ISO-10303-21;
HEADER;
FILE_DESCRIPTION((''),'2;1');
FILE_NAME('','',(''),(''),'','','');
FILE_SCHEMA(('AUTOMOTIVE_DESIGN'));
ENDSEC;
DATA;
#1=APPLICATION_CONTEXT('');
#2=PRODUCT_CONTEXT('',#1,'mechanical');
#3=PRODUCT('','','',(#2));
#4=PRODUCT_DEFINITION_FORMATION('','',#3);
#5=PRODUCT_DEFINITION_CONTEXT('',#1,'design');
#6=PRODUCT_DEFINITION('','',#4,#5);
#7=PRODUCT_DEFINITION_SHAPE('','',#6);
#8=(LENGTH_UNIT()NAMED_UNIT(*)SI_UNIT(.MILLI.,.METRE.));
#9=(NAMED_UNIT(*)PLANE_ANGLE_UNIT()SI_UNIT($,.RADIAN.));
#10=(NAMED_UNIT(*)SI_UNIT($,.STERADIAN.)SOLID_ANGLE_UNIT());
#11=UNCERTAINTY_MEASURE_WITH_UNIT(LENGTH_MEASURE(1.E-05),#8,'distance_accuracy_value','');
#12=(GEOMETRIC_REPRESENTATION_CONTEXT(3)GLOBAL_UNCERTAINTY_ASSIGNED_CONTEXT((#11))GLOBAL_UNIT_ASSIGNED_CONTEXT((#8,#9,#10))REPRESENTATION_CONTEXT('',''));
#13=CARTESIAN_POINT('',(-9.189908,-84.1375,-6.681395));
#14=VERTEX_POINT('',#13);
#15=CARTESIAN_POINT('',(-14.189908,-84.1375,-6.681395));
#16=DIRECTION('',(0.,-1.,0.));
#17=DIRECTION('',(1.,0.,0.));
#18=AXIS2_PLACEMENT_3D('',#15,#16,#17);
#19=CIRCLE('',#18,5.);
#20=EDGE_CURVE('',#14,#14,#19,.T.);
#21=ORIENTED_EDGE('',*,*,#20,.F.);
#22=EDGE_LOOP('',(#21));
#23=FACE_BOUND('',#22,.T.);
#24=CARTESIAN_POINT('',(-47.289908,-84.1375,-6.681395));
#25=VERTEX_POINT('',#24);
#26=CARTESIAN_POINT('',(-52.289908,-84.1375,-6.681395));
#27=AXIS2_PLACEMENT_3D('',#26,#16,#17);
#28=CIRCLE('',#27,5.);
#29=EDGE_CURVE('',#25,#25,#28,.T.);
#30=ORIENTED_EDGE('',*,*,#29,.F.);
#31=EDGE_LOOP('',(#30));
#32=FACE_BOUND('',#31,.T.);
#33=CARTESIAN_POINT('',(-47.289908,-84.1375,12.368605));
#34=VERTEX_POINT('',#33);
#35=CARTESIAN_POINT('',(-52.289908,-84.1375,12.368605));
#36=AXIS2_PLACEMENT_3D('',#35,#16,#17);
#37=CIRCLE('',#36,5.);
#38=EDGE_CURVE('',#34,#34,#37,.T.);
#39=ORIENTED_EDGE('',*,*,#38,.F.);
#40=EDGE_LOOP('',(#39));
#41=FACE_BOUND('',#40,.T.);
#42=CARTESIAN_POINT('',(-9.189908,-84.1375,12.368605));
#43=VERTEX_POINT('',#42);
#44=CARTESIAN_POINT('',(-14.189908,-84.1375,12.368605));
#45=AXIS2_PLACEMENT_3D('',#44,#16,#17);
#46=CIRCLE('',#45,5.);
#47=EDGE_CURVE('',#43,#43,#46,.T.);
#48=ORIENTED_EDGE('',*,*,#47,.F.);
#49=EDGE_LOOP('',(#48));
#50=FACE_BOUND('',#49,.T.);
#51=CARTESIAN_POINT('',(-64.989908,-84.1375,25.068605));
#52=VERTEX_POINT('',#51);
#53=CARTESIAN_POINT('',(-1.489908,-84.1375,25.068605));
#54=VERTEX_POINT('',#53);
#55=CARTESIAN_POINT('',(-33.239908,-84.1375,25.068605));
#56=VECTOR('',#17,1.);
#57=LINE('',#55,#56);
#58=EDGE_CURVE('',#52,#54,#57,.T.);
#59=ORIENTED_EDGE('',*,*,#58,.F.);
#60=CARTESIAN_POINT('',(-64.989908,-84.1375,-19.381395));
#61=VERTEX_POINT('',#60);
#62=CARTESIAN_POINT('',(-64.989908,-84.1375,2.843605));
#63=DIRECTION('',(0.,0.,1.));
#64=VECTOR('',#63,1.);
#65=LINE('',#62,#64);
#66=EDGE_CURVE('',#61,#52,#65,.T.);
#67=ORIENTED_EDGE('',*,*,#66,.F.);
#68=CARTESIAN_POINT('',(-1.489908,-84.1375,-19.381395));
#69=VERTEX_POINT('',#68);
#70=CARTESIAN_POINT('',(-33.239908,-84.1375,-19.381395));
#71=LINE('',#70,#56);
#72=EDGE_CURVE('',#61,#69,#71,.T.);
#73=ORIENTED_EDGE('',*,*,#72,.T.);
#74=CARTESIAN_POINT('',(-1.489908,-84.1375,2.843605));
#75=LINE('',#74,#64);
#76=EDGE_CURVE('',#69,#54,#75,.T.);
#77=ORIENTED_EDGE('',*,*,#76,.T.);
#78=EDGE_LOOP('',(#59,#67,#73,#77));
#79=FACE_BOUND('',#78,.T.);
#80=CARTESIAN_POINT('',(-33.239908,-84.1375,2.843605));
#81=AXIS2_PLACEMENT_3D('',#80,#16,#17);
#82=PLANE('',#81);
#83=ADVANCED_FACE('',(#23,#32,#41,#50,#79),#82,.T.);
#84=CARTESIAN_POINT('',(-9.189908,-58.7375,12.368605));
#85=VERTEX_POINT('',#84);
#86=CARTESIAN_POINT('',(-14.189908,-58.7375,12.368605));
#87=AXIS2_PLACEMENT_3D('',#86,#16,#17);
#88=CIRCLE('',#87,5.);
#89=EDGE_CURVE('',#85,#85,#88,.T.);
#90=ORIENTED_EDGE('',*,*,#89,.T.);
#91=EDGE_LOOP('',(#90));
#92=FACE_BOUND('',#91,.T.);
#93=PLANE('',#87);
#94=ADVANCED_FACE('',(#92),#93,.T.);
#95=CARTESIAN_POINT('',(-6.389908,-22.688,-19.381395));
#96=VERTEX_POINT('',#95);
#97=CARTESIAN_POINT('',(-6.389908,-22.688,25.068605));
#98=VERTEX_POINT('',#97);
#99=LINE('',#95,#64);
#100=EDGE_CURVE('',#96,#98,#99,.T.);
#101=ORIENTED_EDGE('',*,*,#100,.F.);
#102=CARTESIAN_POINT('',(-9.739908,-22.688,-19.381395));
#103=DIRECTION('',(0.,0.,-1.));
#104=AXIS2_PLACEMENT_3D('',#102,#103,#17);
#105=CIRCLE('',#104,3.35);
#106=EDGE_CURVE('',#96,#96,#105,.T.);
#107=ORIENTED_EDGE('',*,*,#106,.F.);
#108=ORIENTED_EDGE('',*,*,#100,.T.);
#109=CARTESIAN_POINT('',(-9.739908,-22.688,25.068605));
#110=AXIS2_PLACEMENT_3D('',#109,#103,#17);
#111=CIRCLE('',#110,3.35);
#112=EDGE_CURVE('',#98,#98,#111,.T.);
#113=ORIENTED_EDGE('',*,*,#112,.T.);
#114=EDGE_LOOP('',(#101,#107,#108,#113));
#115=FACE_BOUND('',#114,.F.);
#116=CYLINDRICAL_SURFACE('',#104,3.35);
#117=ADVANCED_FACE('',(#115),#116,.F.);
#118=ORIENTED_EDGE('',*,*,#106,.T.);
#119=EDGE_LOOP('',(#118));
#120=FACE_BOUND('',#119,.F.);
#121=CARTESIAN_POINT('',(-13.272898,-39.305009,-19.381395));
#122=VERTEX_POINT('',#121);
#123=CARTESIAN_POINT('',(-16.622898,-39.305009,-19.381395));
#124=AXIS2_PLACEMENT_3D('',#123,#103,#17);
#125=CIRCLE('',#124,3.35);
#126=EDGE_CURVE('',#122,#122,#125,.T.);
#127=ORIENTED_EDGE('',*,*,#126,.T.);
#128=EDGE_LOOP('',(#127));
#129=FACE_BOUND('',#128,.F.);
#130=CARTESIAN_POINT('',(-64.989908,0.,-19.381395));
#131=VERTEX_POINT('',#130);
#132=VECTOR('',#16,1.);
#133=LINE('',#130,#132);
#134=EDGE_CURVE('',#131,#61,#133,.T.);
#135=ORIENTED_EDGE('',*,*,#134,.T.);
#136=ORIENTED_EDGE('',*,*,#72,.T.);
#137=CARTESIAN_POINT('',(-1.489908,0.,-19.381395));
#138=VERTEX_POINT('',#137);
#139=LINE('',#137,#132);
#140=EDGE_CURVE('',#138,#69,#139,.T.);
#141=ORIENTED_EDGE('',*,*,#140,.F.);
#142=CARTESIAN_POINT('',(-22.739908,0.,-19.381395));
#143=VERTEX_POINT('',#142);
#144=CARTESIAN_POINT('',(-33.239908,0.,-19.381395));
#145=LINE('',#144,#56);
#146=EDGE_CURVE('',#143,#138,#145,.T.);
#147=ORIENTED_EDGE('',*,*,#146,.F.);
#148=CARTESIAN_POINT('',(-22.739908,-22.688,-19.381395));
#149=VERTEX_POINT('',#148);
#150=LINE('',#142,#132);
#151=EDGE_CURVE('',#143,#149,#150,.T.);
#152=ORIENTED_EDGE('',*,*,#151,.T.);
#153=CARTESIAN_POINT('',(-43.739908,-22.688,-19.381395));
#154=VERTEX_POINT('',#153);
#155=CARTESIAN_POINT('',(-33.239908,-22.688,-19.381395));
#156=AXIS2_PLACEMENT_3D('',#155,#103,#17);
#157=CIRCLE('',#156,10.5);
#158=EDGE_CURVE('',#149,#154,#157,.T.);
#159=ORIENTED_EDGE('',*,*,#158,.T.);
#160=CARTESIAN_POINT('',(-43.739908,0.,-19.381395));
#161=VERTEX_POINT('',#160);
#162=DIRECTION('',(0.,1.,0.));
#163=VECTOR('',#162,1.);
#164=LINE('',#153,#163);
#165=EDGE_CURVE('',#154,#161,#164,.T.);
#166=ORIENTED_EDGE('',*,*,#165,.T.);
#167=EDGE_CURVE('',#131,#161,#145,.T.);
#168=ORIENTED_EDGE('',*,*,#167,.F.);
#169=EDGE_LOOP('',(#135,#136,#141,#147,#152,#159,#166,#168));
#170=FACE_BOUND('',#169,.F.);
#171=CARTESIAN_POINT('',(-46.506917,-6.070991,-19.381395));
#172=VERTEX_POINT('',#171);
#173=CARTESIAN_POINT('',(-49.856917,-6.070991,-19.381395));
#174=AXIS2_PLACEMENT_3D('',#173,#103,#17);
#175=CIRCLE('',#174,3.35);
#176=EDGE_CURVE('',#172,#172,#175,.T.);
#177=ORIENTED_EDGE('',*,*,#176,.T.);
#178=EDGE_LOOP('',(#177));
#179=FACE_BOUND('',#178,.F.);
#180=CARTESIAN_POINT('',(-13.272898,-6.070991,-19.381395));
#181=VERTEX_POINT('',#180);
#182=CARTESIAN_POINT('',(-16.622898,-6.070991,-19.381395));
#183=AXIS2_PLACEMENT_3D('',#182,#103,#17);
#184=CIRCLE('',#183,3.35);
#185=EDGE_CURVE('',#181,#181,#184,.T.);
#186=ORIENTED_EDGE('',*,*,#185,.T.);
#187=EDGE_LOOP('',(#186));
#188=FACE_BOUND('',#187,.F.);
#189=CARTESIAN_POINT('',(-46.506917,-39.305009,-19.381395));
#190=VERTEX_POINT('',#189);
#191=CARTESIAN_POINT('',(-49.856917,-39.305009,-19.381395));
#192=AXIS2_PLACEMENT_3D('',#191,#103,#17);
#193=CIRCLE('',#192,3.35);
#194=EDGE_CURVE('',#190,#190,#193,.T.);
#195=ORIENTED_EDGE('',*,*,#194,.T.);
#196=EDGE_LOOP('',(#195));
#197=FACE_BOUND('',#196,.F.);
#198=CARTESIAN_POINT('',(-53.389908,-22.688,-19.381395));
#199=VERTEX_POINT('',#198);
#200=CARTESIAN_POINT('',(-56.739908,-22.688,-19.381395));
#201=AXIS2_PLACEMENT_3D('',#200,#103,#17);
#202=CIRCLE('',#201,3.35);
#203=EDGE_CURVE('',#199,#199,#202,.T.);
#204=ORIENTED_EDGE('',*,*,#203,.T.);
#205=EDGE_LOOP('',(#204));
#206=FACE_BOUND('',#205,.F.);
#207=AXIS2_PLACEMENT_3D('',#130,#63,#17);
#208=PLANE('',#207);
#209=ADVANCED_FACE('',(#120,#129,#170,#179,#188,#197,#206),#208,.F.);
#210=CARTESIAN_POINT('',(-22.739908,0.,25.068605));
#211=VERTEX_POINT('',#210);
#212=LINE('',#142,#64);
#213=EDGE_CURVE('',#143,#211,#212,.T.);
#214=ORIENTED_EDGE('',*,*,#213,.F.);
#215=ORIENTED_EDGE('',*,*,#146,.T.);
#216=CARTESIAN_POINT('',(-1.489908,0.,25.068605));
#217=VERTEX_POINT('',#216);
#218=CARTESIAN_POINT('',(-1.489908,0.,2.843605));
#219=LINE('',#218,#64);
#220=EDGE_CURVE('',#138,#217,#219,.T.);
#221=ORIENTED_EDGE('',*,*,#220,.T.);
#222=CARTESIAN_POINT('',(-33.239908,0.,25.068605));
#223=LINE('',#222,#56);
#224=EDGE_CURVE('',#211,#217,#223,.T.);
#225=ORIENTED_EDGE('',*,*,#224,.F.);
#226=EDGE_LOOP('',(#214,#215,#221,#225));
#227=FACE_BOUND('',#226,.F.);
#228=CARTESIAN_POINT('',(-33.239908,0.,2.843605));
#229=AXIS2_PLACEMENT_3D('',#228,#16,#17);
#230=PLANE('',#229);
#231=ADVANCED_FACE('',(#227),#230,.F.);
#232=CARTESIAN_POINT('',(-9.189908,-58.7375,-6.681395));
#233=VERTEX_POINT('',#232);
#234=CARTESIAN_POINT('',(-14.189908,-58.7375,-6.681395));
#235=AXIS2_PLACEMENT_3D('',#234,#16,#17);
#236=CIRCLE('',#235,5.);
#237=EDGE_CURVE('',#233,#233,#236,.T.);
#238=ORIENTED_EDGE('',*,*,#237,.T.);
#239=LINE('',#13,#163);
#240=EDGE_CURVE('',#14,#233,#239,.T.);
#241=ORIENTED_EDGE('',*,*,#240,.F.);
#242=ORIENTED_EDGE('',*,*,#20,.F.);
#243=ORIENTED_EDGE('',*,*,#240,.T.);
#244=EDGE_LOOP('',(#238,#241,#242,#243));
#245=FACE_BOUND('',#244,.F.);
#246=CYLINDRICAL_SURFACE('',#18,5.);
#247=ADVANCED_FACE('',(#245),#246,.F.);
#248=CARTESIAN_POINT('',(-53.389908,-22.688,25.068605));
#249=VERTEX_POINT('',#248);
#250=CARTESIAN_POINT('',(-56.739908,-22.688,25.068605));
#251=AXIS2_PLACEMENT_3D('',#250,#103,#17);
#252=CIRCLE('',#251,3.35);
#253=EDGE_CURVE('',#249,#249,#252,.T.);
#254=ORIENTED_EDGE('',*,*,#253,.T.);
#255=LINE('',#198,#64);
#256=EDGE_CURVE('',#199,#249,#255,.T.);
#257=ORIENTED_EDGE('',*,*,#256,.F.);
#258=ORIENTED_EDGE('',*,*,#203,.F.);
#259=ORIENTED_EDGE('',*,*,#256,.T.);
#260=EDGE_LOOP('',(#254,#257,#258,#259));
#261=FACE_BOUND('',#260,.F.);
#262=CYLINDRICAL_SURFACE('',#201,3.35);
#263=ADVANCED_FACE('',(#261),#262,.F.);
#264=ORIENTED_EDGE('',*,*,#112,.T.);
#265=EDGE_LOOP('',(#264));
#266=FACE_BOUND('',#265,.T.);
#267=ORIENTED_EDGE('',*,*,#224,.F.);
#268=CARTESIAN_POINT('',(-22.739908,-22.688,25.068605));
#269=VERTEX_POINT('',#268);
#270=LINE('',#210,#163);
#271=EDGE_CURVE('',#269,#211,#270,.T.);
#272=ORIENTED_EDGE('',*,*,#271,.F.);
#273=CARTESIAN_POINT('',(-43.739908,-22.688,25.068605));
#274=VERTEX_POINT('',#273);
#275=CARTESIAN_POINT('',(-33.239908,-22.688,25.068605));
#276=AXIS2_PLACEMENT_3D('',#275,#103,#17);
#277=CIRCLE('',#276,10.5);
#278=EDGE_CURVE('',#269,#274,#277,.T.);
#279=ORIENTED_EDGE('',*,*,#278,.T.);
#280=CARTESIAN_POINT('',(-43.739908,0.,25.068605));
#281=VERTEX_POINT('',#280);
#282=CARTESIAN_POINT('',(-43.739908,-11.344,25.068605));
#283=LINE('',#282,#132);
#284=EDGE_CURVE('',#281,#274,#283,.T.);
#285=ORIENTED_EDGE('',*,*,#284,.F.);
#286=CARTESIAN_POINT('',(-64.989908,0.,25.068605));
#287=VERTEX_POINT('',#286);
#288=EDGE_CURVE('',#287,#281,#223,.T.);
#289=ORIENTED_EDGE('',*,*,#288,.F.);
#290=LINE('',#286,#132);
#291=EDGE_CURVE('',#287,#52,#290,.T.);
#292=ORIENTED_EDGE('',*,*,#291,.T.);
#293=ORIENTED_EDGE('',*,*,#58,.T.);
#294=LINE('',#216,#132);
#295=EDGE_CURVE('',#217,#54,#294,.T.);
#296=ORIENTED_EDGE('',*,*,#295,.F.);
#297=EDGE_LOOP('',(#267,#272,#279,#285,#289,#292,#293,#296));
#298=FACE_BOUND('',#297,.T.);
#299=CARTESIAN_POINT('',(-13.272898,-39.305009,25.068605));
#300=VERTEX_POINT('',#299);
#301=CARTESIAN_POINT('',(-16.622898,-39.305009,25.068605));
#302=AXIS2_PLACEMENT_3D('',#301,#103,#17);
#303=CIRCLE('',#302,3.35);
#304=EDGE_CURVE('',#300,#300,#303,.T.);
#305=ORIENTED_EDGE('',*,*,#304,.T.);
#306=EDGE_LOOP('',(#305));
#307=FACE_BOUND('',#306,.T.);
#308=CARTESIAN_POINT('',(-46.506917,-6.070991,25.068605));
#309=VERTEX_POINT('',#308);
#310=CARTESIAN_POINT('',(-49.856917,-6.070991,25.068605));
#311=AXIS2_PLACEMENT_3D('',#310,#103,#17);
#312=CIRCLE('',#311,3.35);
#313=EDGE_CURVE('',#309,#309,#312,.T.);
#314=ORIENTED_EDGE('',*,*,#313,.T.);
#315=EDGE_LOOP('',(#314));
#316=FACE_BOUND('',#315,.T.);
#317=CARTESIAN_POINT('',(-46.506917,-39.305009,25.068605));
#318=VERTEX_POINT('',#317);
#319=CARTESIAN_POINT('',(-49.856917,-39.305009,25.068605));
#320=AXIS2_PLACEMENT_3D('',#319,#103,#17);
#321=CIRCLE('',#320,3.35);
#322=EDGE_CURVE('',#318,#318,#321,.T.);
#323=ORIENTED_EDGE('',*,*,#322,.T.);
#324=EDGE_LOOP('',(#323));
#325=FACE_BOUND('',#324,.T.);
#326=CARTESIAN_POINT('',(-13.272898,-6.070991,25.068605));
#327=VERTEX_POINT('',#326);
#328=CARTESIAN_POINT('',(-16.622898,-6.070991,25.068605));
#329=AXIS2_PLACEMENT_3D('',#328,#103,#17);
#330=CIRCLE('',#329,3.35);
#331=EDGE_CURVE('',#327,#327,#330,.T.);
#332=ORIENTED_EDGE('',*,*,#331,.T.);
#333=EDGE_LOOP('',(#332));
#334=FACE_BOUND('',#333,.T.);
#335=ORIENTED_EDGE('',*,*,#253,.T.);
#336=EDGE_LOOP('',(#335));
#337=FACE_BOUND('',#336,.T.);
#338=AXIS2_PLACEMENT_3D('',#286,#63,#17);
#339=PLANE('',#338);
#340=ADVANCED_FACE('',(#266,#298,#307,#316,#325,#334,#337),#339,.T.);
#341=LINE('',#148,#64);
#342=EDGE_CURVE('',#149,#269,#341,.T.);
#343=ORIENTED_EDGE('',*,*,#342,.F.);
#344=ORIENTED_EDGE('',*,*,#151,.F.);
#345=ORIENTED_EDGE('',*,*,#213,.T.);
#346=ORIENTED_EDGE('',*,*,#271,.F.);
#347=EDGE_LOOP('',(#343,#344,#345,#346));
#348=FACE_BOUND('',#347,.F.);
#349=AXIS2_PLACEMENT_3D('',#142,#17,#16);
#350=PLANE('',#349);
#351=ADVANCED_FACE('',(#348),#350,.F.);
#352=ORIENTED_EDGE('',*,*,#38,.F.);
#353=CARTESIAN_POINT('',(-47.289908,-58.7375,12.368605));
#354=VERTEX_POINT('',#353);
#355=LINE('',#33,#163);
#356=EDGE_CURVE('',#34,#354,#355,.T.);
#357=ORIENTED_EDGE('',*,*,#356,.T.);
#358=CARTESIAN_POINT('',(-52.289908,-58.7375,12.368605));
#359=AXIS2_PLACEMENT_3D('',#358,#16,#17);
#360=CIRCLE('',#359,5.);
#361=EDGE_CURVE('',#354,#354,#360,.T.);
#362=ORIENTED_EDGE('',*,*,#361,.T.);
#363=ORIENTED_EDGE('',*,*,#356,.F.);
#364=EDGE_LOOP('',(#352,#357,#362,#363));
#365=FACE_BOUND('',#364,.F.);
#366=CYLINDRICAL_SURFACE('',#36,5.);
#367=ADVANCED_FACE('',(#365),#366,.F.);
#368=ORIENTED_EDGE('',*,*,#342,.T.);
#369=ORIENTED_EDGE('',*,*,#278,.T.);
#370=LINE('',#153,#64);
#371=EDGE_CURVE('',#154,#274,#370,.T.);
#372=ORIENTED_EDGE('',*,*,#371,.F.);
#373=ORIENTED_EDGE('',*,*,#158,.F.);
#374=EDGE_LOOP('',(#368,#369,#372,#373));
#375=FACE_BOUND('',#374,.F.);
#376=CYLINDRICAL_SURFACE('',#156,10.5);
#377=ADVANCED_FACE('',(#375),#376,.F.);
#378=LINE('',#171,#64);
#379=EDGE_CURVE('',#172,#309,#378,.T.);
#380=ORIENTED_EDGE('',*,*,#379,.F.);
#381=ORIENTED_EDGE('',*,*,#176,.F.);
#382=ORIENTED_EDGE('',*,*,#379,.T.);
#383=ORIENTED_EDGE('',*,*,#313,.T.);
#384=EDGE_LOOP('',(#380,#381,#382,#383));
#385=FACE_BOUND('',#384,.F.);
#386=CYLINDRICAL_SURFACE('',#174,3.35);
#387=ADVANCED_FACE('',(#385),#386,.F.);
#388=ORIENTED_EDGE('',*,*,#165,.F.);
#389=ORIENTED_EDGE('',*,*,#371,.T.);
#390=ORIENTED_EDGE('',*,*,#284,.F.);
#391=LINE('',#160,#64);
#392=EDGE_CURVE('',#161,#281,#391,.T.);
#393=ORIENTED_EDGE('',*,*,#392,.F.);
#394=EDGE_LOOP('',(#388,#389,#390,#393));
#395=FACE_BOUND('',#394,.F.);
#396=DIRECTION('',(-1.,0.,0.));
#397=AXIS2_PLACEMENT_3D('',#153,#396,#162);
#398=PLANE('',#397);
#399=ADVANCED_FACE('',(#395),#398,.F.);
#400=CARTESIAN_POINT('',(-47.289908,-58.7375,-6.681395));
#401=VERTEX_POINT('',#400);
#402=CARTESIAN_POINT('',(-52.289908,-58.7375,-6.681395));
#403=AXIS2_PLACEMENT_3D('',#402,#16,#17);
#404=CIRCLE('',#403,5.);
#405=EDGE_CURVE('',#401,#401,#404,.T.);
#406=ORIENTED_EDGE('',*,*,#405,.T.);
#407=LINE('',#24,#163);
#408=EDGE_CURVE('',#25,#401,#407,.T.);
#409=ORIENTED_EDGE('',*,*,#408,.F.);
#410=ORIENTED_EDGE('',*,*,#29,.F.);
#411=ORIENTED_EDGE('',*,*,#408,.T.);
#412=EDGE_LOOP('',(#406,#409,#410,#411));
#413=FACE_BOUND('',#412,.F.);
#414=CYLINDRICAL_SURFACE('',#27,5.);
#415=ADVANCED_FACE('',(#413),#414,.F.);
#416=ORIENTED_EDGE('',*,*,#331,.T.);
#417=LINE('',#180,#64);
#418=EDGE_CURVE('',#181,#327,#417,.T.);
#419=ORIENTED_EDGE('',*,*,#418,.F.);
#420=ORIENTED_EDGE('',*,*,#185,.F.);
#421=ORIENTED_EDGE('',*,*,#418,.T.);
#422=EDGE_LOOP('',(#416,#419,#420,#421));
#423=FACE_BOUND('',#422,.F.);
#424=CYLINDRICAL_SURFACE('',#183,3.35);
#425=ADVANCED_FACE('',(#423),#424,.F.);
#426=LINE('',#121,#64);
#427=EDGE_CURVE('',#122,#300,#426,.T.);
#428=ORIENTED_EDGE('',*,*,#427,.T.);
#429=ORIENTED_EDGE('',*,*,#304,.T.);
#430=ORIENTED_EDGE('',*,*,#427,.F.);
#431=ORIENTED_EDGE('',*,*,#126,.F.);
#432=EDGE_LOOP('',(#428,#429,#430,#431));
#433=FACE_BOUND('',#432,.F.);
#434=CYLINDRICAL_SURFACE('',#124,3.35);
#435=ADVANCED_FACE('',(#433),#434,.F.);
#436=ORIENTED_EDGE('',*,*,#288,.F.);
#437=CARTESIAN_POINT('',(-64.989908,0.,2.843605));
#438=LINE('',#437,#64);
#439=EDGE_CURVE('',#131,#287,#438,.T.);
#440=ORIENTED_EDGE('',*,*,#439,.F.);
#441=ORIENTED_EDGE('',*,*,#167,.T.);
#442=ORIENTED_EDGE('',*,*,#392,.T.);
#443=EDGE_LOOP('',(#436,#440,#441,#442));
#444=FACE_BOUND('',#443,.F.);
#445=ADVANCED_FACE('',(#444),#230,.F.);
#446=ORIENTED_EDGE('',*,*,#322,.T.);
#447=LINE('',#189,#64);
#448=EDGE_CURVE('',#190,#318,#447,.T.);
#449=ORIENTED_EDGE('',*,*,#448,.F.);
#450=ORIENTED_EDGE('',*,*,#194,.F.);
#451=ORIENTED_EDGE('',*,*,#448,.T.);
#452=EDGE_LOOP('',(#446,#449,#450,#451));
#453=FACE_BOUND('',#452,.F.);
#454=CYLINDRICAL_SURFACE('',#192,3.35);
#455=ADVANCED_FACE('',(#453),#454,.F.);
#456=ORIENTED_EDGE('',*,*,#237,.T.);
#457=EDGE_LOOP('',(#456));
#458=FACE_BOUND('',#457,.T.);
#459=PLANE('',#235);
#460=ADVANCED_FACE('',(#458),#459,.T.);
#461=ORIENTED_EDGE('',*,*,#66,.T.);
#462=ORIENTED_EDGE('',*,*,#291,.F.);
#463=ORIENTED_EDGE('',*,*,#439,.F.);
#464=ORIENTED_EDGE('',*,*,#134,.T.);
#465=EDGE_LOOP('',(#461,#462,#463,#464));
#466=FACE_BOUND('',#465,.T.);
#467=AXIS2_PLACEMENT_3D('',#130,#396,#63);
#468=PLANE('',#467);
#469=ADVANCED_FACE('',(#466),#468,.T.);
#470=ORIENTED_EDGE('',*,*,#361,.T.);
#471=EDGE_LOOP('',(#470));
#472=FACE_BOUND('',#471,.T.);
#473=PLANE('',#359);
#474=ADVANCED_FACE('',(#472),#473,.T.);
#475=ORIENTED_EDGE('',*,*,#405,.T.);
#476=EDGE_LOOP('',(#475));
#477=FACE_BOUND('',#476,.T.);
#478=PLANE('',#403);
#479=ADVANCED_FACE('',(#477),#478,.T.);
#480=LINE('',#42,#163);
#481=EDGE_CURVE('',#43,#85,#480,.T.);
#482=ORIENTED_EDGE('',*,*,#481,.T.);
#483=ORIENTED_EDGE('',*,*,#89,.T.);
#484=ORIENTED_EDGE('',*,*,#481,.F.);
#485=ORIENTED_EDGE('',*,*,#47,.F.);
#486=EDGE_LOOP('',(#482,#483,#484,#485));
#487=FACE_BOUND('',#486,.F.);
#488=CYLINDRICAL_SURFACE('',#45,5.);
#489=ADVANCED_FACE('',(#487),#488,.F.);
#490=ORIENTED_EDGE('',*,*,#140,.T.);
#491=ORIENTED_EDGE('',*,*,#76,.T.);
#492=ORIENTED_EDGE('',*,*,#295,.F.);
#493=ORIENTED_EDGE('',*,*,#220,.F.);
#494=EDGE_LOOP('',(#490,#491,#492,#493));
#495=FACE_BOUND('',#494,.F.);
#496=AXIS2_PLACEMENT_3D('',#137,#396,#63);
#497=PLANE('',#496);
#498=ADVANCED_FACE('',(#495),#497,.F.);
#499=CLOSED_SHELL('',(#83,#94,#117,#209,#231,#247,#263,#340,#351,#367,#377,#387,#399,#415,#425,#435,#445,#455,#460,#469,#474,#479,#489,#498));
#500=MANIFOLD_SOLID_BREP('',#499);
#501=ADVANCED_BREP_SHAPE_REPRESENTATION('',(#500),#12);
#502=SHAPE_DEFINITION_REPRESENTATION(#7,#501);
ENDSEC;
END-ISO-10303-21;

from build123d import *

# Parameters (mm, degrees)
F0_W     = 63.5
F0_H     = 44.45
F1_DEPTH = 84.1375
F2_R     = 5
F3_DEPTH = 25.4
F4_R     = 3.35
F5_DEPTH = 44.451


with BuildPart() as f1:
    # F0 (on Front) → F1 (new body)
    with BuildSketch(Plane.XZ):
        with Locations((-33.239908, 2.843605)):
            Rectangle(F0_W, F0_H)
    extrude(amount=F1_DEPTH)

    # F2 (on face) → F3 (cut)
    with BuildSketch(Plane.XZ.offset(84.1375)):
        with Locations((-52.289908, 12.368605)):
            Circle(F2_R)
        with Locations((-52.289908, -6.681395)):
            Circle(F2_R)
        with Locations((-14.189908, 12.368605)):
            Circle(F2_R)
        with Locations((-14.189908, -6.681395)):
            Circle(F2_R)
    extrude(amount=-F3_DEPTH, mode=Mode.SUBTRACT)

    # F4 (on face) → F5 (cut, through all)
    with BuildSketch(Plane(origin=(0, 0, -19.381395), x_dir=(1, 0, 0), z_dir=(0, 0, -1))):
        with Locations((-56.739908, 22.688)):
            Circle(F4_R)
        with Locations((-49.856917, 6.070991)):
            Circle(F4_R)
        with Locations((-16.622898, 6.070991)):
            Circle(F4_R)
        with Locations((-9.739908, 22.688)):
            Circle(F4_R)
        with Locations((-16.622898, 39.305009)):
            Circle(F4_R)
        with Locations((-49.856917, 39.305009)):
            Circle(F4_R)
        with BuildLine():
            Line((-22.739908, 0), (-22.739908, 22.688))
            ThreePointArc((-22.739908, 22.688), (-33.239908, 33.188), (-43.739908, 22.688))
            Line((-43.739908, 22.688), (-43.739908, 0))
            Line((-43.739908, 0), (-22.739908, 0))
        make_face()
    extrude(amount=-F5_DEPTH, mode=Mode.SUBTRACT)


solid = f1.part
